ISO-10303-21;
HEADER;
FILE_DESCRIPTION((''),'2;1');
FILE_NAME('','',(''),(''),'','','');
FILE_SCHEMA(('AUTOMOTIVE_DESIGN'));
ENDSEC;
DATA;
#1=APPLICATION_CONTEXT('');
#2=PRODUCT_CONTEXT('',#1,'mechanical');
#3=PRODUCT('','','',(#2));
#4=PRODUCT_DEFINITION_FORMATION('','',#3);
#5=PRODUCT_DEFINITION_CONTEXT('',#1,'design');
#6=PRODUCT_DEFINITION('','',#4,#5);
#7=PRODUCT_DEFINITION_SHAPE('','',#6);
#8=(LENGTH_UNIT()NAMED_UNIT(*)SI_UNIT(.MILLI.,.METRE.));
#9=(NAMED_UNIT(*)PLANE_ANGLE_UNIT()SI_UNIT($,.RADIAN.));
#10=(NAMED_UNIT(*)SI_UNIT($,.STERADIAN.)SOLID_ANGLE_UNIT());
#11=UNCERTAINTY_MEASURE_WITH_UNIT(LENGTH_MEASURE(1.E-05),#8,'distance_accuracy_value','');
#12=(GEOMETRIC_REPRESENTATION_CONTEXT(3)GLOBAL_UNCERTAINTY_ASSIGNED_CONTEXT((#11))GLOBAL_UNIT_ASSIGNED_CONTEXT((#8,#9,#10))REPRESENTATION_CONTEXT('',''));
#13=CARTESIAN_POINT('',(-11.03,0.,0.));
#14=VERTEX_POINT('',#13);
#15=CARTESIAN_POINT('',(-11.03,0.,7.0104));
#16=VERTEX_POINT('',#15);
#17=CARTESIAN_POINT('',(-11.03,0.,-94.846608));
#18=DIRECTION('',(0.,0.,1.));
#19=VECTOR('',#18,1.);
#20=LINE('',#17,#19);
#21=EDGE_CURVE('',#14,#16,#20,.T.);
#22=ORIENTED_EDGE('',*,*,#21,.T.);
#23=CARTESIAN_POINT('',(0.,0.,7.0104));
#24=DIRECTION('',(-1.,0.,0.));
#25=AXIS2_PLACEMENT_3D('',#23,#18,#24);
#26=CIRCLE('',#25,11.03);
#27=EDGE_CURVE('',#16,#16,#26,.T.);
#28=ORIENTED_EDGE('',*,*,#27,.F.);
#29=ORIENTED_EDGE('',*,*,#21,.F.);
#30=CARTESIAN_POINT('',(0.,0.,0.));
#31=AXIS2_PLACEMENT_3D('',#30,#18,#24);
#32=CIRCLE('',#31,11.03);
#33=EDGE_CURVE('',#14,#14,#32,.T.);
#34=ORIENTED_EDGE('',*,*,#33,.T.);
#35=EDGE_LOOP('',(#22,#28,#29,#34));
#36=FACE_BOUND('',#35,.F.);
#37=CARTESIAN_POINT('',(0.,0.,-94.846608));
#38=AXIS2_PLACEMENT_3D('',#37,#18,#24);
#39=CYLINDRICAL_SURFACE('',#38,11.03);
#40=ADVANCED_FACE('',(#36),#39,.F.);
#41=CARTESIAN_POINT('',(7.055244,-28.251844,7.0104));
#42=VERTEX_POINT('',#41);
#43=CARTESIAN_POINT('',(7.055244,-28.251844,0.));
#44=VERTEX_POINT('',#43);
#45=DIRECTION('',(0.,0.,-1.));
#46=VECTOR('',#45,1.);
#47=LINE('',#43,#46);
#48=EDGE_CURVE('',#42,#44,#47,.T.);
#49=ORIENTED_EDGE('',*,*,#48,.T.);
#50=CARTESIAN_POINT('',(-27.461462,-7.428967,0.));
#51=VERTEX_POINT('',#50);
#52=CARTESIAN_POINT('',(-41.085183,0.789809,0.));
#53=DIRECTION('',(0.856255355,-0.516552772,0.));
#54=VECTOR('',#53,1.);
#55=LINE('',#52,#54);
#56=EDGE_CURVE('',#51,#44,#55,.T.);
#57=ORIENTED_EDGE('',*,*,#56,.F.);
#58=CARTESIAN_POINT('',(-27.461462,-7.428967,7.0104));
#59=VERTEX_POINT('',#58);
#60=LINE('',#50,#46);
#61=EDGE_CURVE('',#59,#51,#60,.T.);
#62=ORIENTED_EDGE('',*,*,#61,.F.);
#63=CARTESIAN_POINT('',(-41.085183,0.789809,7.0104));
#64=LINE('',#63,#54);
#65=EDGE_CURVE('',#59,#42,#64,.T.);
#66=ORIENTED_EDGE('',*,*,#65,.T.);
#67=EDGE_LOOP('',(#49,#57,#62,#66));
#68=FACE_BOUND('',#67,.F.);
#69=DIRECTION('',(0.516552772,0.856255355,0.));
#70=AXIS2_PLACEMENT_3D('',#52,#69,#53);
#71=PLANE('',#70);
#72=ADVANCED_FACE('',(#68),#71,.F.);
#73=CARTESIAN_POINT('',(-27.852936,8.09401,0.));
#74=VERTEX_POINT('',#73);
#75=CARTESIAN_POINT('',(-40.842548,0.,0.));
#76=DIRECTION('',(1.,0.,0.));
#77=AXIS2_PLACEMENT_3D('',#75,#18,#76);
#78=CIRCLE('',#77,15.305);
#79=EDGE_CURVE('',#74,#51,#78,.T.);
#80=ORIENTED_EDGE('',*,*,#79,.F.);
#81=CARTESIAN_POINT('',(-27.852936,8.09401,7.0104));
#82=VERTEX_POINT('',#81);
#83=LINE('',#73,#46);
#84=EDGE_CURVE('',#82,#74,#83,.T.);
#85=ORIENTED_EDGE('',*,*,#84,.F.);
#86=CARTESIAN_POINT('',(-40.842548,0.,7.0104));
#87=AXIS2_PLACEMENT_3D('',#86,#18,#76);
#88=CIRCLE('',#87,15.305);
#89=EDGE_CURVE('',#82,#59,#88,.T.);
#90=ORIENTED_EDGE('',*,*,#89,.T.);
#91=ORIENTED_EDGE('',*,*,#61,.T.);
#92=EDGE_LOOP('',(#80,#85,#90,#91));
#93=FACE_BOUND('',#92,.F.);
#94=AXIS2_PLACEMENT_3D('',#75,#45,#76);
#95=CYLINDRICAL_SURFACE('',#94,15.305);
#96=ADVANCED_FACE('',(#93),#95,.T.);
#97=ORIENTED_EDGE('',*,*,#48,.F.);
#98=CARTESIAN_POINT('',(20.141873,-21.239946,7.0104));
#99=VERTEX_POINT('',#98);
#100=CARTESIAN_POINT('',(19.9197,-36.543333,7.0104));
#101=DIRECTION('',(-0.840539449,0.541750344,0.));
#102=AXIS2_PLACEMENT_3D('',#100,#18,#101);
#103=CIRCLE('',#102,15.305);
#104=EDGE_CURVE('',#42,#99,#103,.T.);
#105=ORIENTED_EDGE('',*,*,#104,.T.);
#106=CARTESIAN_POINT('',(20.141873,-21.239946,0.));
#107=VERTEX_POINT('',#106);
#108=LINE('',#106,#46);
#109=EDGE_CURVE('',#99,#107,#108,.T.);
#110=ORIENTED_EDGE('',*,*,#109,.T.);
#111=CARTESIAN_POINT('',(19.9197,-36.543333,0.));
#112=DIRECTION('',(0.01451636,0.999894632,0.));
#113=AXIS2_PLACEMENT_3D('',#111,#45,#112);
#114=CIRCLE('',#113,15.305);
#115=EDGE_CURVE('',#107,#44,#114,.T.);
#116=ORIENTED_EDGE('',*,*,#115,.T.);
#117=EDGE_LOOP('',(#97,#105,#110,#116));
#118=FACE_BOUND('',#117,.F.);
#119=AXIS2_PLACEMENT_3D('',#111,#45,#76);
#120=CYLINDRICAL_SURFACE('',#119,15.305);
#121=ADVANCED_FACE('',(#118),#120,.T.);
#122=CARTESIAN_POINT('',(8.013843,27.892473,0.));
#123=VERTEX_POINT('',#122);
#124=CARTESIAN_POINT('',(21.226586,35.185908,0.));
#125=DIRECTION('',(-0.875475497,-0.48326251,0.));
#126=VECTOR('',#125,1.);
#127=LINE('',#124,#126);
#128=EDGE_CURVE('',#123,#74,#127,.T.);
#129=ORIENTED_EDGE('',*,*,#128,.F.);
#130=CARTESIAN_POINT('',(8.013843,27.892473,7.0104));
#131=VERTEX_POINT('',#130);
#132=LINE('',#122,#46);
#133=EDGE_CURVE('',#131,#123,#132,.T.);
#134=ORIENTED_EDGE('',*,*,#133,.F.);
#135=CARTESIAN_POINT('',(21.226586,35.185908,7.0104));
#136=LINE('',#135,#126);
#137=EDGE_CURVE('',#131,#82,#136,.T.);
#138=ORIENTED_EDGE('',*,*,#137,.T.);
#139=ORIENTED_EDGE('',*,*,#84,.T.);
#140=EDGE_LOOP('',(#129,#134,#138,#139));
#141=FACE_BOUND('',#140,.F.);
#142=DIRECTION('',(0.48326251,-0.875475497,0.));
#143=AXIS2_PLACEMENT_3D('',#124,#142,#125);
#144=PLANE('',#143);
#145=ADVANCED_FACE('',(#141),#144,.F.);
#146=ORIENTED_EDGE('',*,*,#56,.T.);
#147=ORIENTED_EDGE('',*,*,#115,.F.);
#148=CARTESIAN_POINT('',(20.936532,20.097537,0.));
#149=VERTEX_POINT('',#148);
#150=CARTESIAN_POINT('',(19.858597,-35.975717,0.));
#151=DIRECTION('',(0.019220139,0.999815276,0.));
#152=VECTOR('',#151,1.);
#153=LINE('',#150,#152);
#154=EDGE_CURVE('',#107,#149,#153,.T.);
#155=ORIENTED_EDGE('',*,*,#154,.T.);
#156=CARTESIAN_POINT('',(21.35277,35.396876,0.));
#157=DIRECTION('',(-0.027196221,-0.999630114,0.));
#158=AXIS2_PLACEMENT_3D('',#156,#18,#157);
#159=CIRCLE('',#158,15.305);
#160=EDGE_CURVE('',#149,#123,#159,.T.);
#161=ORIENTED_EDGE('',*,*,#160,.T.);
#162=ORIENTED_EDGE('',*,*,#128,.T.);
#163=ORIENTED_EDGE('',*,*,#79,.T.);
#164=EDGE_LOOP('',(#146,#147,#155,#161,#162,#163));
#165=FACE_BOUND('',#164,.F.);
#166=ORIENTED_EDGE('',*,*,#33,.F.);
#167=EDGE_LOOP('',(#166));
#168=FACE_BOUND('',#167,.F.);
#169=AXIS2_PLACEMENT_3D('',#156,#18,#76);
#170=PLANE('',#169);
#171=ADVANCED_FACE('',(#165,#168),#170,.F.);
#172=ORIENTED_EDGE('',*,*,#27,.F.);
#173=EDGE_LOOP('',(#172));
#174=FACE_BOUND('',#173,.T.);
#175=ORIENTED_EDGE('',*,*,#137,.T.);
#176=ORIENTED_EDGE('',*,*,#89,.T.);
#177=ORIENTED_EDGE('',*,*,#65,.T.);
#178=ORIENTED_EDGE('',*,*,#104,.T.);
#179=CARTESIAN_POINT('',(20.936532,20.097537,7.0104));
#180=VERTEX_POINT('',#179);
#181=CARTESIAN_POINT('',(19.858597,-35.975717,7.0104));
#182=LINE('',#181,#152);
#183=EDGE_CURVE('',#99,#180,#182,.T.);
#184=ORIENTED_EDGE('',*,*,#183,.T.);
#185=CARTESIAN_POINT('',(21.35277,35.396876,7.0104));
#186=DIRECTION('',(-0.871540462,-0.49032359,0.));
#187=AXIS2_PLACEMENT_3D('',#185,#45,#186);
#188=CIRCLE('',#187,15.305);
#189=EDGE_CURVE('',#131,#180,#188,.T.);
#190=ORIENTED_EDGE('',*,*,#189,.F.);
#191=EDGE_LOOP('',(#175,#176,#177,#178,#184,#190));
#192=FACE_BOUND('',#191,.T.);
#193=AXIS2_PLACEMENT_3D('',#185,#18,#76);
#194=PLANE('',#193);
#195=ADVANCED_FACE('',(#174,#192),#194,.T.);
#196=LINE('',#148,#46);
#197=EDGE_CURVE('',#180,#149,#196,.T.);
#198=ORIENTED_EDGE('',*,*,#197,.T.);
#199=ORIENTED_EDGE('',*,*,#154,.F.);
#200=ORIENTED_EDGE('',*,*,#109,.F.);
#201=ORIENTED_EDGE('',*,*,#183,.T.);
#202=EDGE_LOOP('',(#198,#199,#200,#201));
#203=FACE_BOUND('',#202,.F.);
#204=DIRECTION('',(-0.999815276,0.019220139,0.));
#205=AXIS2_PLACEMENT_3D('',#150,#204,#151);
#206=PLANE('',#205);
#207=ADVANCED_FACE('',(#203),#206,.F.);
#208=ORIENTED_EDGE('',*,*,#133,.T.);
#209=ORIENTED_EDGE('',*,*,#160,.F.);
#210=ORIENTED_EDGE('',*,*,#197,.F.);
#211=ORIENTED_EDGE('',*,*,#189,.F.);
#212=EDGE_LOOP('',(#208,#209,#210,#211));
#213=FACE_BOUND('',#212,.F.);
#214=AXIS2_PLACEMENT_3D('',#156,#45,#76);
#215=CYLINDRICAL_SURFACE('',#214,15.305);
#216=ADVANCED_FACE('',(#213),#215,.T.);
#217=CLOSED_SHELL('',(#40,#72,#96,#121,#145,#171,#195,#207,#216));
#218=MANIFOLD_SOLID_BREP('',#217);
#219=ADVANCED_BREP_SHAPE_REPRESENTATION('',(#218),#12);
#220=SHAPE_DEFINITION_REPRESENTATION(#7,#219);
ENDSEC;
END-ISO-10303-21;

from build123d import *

# Parameters (mm, degrees)
F1_DEPTH = 7.0104
F2_D     = 22.06
F3_R     = 15.305
F4_DEPTH = 7.0104


with BuildPart() as f1:
    # F0 (on Top) → F1 (new body)
    with BuildSketch(Plane.XY):
        Polygon((21.226586, 35.185908), (-41.085183, 0.789809), (19.858597, -35.975717), align=None)
    extrude(amount=F1_DEPTH)

    # F2 (through all)
    with Locations(Plane(origin=(0, 0, 0), x_dir=(1, 0, 0), z_dir=(0, 0, -1))):
        with Locations((0, 0)):
            Hole(F2_D / 2)

    # F3 (on Top) → F4 (join)
    with BuildSketch(Plane.XY):
        with Locations((21.35277, 35.396876)):
            Circle(F3_R)
        with Locations((-40.842548, 0)):
            Circle(F3_R)
        with Locations((19.9197, -36.543333)):
            Circle(F3_R)
    extrude(amount=F4_DEPTH)


solid = f1.part
